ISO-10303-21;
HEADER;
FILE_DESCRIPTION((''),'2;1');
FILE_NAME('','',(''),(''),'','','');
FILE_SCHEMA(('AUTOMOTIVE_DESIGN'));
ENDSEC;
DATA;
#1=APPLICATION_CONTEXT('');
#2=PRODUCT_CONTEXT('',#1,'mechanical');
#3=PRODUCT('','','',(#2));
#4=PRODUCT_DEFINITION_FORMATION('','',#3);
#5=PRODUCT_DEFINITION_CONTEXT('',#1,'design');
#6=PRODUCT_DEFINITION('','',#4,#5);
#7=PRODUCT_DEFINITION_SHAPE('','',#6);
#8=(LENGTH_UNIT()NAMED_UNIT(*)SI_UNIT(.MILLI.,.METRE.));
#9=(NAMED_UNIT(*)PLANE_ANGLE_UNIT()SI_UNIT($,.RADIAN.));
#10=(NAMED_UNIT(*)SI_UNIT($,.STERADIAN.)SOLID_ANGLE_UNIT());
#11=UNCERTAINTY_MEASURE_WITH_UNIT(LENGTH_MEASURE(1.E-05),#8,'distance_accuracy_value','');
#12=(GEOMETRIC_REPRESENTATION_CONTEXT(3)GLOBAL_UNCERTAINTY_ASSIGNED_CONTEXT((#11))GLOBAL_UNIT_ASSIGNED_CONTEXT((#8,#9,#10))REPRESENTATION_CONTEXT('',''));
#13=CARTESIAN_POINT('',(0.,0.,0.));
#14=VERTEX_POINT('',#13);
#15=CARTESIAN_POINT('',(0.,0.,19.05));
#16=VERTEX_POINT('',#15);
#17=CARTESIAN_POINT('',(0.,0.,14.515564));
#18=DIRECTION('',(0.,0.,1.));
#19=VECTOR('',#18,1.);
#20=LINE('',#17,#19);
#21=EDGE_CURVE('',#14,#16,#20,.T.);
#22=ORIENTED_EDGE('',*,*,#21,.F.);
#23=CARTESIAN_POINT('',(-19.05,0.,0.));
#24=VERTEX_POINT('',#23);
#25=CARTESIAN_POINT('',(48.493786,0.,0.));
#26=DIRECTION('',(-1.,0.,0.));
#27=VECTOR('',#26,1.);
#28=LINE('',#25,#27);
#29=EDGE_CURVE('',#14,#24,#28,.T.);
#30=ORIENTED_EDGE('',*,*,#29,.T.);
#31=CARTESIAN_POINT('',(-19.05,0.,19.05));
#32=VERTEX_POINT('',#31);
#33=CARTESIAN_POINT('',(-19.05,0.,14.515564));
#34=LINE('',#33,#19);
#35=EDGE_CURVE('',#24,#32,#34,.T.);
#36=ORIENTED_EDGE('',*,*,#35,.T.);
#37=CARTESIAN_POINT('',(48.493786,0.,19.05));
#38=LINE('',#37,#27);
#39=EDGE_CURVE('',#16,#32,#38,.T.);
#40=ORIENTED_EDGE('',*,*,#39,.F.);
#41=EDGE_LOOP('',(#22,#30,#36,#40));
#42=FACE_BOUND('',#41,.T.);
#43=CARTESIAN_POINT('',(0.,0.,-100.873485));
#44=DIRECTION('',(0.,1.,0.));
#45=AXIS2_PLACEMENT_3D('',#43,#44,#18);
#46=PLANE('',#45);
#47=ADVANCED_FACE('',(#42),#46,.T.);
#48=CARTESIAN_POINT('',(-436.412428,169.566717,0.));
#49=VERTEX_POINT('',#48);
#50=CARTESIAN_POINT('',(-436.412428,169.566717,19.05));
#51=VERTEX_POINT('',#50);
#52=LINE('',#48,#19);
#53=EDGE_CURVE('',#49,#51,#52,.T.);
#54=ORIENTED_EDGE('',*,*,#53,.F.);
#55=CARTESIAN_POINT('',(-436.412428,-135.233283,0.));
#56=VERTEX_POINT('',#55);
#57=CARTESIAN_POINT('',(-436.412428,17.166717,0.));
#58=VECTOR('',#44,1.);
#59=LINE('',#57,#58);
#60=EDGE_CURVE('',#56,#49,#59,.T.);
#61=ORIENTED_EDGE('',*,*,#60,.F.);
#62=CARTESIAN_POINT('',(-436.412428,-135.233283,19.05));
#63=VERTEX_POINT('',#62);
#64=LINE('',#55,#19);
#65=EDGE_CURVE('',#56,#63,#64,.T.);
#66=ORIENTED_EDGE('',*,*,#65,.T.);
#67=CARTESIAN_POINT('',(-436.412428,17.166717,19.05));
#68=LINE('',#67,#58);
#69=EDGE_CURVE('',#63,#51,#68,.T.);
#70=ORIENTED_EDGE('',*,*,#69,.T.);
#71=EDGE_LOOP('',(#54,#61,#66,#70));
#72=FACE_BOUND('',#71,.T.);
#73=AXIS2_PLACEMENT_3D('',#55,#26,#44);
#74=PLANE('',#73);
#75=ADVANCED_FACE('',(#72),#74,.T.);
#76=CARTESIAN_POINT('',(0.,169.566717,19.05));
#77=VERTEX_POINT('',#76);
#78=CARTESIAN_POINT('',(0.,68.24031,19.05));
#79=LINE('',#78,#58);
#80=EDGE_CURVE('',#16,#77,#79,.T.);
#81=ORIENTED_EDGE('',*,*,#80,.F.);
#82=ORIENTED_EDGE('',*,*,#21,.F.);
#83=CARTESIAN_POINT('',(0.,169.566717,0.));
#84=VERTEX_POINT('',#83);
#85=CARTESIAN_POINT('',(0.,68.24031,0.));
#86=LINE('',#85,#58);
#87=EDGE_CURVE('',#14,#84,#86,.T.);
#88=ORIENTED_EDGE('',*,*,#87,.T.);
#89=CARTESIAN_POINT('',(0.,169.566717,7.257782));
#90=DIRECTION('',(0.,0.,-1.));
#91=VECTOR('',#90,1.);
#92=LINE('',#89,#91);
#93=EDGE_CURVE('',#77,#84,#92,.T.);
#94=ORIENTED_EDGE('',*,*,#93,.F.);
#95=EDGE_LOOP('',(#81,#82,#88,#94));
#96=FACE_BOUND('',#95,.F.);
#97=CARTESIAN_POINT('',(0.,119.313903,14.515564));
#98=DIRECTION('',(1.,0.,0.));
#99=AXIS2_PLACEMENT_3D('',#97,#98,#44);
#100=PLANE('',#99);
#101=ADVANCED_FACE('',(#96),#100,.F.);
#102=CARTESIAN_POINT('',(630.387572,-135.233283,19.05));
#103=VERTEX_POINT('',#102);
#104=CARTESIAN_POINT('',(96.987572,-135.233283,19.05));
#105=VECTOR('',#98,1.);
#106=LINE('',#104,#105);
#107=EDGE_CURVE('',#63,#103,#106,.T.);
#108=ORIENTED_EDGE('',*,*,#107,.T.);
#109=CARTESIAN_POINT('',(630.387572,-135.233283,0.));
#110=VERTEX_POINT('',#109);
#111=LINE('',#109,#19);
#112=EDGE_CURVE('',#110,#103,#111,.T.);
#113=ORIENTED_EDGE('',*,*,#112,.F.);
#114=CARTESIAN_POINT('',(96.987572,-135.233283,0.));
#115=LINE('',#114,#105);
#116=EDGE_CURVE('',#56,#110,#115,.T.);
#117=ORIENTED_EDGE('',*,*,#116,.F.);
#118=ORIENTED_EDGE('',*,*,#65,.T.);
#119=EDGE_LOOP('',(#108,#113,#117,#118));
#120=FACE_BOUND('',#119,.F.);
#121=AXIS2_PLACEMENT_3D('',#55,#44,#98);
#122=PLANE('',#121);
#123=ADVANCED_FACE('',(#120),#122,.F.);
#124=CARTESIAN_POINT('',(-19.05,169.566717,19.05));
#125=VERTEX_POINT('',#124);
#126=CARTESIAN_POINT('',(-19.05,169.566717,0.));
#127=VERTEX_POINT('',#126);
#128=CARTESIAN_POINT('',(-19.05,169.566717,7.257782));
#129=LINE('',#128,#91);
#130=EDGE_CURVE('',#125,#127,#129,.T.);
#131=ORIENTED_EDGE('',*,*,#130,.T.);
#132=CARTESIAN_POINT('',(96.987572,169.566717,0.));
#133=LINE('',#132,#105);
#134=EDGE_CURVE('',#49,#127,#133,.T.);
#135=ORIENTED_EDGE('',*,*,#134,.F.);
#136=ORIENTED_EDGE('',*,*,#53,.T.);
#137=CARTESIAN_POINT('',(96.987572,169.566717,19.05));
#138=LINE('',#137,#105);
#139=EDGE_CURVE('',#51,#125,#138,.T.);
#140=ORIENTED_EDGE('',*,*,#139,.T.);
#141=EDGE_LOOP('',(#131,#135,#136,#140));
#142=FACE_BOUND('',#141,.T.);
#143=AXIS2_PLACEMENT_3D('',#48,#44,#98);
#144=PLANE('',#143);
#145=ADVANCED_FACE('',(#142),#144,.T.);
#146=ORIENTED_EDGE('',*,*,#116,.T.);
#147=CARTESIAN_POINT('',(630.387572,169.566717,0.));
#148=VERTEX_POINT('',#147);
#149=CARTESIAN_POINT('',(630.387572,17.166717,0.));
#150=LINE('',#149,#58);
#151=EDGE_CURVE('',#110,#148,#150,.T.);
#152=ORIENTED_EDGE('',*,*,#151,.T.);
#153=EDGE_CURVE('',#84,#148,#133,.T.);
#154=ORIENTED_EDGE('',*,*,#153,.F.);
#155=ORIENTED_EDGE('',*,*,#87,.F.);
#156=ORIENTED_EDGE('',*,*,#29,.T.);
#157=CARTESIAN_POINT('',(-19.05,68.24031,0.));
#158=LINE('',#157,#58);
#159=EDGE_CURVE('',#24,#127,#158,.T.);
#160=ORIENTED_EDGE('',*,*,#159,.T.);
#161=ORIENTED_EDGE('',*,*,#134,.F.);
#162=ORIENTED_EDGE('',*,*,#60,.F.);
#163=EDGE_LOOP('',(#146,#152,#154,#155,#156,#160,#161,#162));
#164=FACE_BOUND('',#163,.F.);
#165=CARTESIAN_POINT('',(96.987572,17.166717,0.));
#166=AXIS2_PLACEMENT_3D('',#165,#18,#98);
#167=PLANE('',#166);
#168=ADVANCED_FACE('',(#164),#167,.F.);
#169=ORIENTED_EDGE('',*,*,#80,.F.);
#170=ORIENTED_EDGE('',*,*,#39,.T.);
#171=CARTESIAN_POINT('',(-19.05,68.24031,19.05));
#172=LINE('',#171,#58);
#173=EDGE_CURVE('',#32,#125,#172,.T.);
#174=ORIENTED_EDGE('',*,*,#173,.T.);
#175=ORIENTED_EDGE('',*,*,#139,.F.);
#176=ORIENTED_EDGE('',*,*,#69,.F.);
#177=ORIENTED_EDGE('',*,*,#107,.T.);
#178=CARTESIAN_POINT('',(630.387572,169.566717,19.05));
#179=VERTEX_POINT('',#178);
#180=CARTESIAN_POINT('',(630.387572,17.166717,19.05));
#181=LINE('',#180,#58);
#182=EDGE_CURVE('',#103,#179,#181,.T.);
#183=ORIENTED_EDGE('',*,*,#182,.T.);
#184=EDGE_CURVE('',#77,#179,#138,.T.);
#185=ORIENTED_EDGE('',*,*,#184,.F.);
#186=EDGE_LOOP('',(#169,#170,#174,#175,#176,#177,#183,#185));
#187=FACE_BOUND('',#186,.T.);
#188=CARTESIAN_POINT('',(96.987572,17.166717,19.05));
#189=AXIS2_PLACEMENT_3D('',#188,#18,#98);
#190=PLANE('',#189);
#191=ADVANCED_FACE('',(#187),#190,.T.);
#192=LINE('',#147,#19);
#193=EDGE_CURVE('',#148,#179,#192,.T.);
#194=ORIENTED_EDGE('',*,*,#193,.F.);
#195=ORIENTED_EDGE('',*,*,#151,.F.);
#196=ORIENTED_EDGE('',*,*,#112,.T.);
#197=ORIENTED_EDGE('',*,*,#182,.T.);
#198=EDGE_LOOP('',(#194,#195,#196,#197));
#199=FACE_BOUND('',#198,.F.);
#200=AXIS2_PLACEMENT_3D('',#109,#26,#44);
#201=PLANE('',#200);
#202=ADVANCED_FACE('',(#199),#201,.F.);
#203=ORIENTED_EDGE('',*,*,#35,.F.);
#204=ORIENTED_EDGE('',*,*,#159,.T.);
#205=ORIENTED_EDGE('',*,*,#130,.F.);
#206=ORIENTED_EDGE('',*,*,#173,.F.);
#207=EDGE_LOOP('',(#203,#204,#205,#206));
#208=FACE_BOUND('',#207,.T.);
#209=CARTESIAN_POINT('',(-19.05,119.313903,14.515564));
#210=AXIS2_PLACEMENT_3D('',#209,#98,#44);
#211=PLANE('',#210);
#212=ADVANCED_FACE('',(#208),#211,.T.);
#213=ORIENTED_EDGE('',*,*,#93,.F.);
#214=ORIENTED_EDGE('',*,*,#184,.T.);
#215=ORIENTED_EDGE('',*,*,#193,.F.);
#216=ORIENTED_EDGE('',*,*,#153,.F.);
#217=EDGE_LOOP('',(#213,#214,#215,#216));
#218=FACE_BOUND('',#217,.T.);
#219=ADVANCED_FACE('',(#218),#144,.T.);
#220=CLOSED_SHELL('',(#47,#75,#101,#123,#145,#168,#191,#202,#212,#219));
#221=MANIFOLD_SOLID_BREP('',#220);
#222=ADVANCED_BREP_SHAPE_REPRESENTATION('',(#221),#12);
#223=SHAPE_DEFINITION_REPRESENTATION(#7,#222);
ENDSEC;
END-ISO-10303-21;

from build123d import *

# Parameters (mm, degrees)
F0_W     = 1066.8
F0_H     = 304.8
F1_DEPTH = 19.05
F2_W     = 238.627806
F2_H     = 230.778098
F3_DEPTH = 19.05


with BuildPart() as f1:
    # F0 (on Top) → F1 (new body)
    with BuildSketch(Plane.XY):
        with Locations((96.987572, 17.166717)):
            Rectangle(F0_W, F0_H)
    extrude(amount=F1_DEPTH)

    # F2 (on Right) → F3 (cut)
    with BuildSketch(Plane.YZ):
        with Locations((119.313903, 14.515564)):
            Rectangle(F2_W, F2_H)
    extrude(amount=-F3_DEPTH, mode=Mode.SUBTRACT)


solid = f1.part
